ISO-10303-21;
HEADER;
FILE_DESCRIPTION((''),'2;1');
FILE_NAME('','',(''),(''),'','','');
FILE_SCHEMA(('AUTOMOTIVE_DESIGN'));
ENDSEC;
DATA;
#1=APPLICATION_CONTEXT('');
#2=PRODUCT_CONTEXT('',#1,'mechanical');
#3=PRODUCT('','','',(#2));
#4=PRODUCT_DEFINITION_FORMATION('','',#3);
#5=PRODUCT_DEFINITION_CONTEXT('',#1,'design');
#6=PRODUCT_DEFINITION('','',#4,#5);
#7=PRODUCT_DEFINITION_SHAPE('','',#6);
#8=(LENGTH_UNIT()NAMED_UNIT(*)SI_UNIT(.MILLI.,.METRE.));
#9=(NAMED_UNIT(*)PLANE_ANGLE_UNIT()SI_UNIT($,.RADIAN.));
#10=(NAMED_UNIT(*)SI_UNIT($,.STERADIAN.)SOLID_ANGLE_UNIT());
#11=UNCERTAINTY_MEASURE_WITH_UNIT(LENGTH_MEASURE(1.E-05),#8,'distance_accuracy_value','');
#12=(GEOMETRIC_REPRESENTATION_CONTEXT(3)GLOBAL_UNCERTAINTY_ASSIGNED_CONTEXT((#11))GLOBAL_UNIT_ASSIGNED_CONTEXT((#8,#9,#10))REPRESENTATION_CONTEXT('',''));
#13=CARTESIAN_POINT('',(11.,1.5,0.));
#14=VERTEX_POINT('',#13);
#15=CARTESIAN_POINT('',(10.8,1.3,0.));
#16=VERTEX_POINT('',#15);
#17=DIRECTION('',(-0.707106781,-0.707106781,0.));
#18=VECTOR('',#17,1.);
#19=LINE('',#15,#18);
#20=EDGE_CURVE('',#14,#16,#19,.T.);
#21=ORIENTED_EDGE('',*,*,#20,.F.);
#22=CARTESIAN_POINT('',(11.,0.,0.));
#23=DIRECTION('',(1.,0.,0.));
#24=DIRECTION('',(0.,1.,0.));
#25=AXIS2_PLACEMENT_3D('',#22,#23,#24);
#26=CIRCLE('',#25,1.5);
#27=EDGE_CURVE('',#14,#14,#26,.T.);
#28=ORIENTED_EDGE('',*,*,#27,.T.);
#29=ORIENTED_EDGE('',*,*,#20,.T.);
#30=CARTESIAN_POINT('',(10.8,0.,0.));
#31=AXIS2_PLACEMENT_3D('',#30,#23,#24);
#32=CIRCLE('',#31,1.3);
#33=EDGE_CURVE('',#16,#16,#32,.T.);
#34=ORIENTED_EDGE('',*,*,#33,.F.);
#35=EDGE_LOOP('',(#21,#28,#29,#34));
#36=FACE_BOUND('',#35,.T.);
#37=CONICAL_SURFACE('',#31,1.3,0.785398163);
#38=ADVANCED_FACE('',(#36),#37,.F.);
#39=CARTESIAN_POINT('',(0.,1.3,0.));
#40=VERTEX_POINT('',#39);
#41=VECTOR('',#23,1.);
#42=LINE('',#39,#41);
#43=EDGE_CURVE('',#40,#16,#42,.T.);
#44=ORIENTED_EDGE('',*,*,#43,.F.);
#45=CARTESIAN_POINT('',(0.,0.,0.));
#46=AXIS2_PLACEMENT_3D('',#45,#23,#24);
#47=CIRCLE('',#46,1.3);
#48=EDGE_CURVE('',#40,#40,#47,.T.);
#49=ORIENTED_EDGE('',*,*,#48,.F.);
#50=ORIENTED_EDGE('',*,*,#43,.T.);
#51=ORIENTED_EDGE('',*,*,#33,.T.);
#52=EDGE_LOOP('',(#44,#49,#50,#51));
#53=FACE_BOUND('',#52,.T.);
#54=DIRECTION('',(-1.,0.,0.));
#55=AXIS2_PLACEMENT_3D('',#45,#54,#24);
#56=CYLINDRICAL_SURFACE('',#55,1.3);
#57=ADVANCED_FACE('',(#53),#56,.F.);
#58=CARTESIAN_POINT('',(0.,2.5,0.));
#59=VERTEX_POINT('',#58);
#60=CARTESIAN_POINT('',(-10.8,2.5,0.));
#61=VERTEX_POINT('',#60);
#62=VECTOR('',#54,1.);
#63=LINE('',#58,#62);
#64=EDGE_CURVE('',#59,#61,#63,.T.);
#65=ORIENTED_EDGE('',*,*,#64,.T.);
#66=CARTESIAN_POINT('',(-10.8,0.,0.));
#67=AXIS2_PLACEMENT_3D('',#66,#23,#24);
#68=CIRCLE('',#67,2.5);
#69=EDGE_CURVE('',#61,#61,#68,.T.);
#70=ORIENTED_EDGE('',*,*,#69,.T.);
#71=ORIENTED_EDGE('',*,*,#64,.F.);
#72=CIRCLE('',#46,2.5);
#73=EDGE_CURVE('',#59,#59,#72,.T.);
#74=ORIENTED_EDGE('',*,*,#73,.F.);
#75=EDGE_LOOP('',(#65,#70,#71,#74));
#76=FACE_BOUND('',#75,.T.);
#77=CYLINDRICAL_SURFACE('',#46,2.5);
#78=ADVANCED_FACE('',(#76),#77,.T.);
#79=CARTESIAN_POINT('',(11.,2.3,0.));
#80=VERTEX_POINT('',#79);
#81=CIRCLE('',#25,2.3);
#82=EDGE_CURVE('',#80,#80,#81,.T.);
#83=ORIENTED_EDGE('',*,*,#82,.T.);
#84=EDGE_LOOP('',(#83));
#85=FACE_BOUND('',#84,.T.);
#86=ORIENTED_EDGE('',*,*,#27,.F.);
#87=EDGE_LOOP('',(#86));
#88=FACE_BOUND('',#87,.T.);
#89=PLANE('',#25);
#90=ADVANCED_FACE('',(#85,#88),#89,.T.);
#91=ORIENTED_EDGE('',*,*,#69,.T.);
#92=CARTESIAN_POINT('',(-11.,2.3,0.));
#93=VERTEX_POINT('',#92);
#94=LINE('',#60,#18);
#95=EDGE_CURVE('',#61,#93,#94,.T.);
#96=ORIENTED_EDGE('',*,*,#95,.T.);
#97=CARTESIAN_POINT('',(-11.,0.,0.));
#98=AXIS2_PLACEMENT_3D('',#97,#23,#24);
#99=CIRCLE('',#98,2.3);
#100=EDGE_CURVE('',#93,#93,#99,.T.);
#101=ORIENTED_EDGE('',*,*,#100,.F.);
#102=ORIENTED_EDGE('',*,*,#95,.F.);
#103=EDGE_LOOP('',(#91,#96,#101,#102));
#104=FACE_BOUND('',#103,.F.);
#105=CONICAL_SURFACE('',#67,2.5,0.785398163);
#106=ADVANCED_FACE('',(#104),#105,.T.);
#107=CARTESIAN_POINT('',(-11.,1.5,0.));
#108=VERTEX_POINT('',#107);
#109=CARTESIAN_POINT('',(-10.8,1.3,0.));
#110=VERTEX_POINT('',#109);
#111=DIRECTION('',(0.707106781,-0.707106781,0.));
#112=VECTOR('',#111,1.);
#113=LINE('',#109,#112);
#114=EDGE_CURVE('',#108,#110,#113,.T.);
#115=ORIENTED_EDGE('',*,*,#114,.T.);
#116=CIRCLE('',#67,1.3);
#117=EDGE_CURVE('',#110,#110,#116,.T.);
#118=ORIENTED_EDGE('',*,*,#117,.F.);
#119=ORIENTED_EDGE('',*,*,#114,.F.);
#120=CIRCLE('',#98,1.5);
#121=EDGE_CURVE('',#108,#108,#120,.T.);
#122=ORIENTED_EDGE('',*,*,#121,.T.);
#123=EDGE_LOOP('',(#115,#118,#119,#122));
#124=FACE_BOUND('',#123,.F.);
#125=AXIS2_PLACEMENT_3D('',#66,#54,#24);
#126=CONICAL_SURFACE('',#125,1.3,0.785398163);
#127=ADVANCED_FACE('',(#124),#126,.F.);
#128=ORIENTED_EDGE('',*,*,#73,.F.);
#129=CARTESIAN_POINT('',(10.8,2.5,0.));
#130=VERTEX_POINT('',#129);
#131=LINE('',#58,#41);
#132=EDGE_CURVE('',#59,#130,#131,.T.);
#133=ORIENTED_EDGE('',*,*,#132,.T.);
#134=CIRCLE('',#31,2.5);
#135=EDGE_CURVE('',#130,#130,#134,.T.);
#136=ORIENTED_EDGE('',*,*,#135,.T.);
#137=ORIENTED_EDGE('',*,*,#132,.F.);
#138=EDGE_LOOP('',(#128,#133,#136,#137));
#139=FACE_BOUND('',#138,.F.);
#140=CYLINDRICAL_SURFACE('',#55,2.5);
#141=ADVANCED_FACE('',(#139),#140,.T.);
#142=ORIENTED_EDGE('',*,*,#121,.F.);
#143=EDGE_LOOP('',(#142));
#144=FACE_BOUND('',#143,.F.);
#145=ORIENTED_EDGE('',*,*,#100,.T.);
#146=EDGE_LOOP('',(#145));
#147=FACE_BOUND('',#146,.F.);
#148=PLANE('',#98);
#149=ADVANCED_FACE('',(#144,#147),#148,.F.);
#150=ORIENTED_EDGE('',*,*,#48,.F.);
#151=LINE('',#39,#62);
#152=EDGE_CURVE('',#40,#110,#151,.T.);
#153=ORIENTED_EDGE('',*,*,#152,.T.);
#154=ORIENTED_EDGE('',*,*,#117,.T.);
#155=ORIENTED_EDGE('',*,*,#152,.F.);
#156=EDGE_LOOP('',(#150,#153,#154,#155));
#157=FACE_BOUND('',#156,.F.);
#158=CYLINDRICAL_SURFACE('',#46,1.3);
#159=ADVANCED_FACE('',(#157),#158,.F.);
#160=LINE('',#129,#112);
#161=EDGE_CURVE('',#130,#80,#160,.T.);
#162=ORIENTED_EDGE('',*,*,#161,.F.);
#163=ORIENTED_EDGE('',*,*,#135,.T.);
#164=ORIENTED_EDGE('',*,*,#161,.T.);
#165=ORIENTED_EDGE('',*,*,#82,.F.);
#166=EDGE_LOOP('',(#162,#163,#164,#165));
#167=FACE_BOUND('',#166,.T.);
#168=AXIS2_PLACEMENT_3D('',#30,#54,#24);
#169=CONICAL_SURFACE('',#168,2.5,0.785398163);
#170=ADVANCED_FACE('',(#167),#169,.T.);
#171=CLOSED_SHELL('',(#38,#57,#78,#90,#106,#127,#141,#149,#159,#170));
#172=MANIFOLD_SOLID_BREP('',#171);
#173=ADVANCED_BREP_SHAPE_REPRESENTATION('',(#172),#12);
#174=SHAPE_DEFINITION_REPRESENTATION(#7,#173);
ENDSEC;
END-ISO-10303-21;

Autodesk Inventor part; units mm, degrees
ref_plane "YZ Plane" through (0, 0, 0) normal (1, 0, 0) x (0, 1, 0)
ref_plane "XZ Plane" through (0, 0, 0) normal (0, 1, 0) x (-1, 0, 0)
ref_plane "XY Plane" through (0, 0, 0) normal (0, 0, 1) x (1, 0, 0)
sketch "スケッチ1" plane through (0, 0, 0) normal (1, 0, 0) x (0, 1, 0)
  circle A0 centre (0, 0) radius 2.5
  circle A1 centre (0, 0) radius 1.3
  dimension "d0" = 5
  dimension "d1" = 2.6
extrude "押し出し1" add sketch "スケッチ1" along normal mid plane 22
chamfer "面取り1" distance 0.2 angle 45 4 edges at (11, -1.3, 0) (11, -2.5, 0) (-11, -1.3, 0) (-11, -2.5, 0)
properties part number "AR-2622"
